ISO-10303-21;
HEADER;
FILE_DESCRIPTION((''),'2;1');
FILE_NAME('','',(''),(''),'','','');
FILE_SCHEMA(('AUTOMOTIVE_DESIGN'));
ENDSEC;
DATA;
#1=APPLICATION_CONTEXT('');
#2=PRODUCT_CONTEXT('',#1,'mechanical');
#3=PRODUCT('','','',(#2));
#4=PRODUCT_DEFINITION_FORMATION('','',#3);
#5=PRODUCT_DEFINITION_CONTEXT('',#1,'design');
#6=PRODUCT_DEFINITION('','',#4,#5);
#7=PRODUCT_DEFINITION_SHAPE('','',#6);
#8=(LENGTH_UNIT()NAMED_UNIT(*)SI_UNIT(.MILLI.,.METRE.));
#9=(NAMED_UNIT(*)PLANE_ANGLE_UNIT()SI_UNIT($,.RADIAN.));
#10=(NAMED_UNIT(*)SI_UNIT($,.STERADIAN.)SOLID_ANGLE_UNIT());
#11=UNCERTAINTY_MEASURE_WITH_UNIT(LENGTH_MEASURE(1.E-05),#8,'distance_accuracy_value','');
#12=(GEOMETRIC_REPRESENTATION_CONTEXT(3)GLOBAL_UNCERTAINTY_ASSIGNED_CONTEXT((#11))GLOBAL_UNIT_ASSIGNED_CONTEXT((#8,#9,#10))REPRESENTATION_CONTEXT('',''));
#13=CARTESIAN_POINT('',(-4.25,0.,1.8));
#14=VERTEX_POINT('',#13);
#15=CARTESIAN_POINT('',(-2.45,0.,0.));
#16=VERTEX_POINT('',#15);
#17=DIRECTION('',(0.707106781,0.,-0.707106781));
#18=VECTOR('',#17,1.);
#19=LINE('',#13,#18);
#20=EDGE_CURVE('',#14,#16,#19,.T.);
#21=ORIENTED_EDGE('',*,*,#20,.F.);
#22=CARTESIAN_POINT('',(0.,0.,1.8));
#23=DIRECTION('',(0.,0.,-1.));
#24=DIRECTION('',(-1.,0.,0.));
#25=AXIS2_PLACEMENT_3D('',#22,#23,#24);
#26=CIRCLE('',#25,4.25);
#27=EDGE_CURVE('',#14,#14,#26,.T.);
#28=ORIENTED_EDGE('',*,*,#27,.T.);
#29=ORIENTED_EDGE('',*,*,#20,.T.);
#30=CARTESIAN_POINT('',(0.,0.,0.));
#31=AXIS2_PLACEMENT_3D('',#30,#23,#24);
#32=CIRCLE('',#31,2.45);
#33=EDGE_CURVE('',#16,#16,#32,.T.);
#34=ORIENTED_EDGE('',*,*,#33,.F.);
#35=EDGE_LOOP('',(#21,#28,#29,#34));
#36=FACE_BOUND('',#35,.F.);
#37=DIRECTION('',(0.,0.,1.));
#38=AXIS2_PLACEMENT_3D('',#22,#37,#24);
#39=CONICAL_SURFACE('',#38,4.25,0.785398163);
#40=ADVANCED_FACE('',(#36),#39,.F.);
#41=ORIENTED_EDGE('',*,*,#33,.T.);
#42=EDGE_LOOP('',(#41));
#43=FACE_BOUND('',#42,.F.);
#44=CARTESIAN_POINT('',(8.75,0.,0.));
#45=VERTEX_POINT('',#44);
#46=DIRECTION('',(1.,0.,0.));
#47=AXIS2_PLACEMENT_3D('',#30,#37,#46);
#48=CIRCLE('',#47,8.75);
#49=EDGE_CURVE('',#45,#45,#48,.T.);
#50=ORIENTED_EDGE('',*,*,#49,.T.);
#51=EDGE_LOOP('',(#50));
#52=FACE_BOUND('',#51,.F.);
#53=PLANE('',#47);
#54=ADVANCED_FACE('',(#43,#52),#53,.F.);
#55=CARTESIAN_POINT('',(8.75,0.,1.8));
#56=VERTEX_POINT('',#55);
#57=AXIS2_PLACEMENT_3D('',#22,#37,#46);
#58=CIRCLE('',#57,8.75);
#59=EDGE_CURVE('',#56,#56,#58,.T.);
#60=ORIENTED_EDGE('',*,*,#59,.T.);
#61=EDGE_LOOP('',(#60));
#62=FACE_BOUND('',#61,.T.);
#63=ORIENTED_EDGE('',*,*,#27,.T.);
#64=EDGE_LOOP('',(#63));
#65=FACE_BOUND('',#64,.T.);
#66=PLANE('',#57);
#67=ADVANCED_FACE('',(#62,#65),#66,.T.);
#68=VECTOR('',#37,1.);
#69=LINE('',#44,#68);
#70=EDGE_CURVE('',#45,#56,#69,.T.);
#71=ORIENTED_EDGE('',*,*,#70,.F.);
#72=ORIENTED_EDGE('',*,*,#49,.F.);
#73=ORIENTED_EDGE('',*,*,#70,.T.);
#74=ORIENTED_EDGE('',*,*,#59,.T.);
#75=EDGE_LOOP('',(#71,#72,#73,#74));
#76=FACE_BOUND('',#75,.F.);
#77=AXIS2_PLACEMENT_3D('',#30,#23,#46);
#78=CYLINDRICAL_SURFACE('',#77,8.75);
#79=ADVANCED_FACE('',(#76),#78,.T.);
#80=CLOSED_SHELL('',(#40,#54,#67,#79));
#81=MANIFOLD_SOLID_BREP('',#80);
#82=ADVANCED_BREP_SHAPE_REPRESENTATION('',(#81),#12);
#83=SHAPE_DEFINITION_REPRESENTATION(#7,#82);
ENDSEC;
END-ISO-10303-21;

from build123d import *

# Parameters (mm, degrees)
F0_R           = 8.75
F1_DEPTH       = 1.8
F3_D           = 4
F3_DEPTH       = 10
F3_CSINK_D     = 8.5
F3_CSINK_ANGLE = 90


with BuildPart() as f1:
    # F0 (on Top) → F1 (new body)
    with BuildSketch(Plane.XY):
        Circle(F0_R)
    extrude(amount=F1_DEPTH)

    # F3
    with Locations(Plane.XY.offset(1.8)):
        with Locations((0, 0)):
            CounterSinkHole(F3_D / 2, F3_CSINK_D / 2, depth=F3_DEPTH, counter_sink_angle=F3_CSINK_ANGLE)


solid = f1.part
